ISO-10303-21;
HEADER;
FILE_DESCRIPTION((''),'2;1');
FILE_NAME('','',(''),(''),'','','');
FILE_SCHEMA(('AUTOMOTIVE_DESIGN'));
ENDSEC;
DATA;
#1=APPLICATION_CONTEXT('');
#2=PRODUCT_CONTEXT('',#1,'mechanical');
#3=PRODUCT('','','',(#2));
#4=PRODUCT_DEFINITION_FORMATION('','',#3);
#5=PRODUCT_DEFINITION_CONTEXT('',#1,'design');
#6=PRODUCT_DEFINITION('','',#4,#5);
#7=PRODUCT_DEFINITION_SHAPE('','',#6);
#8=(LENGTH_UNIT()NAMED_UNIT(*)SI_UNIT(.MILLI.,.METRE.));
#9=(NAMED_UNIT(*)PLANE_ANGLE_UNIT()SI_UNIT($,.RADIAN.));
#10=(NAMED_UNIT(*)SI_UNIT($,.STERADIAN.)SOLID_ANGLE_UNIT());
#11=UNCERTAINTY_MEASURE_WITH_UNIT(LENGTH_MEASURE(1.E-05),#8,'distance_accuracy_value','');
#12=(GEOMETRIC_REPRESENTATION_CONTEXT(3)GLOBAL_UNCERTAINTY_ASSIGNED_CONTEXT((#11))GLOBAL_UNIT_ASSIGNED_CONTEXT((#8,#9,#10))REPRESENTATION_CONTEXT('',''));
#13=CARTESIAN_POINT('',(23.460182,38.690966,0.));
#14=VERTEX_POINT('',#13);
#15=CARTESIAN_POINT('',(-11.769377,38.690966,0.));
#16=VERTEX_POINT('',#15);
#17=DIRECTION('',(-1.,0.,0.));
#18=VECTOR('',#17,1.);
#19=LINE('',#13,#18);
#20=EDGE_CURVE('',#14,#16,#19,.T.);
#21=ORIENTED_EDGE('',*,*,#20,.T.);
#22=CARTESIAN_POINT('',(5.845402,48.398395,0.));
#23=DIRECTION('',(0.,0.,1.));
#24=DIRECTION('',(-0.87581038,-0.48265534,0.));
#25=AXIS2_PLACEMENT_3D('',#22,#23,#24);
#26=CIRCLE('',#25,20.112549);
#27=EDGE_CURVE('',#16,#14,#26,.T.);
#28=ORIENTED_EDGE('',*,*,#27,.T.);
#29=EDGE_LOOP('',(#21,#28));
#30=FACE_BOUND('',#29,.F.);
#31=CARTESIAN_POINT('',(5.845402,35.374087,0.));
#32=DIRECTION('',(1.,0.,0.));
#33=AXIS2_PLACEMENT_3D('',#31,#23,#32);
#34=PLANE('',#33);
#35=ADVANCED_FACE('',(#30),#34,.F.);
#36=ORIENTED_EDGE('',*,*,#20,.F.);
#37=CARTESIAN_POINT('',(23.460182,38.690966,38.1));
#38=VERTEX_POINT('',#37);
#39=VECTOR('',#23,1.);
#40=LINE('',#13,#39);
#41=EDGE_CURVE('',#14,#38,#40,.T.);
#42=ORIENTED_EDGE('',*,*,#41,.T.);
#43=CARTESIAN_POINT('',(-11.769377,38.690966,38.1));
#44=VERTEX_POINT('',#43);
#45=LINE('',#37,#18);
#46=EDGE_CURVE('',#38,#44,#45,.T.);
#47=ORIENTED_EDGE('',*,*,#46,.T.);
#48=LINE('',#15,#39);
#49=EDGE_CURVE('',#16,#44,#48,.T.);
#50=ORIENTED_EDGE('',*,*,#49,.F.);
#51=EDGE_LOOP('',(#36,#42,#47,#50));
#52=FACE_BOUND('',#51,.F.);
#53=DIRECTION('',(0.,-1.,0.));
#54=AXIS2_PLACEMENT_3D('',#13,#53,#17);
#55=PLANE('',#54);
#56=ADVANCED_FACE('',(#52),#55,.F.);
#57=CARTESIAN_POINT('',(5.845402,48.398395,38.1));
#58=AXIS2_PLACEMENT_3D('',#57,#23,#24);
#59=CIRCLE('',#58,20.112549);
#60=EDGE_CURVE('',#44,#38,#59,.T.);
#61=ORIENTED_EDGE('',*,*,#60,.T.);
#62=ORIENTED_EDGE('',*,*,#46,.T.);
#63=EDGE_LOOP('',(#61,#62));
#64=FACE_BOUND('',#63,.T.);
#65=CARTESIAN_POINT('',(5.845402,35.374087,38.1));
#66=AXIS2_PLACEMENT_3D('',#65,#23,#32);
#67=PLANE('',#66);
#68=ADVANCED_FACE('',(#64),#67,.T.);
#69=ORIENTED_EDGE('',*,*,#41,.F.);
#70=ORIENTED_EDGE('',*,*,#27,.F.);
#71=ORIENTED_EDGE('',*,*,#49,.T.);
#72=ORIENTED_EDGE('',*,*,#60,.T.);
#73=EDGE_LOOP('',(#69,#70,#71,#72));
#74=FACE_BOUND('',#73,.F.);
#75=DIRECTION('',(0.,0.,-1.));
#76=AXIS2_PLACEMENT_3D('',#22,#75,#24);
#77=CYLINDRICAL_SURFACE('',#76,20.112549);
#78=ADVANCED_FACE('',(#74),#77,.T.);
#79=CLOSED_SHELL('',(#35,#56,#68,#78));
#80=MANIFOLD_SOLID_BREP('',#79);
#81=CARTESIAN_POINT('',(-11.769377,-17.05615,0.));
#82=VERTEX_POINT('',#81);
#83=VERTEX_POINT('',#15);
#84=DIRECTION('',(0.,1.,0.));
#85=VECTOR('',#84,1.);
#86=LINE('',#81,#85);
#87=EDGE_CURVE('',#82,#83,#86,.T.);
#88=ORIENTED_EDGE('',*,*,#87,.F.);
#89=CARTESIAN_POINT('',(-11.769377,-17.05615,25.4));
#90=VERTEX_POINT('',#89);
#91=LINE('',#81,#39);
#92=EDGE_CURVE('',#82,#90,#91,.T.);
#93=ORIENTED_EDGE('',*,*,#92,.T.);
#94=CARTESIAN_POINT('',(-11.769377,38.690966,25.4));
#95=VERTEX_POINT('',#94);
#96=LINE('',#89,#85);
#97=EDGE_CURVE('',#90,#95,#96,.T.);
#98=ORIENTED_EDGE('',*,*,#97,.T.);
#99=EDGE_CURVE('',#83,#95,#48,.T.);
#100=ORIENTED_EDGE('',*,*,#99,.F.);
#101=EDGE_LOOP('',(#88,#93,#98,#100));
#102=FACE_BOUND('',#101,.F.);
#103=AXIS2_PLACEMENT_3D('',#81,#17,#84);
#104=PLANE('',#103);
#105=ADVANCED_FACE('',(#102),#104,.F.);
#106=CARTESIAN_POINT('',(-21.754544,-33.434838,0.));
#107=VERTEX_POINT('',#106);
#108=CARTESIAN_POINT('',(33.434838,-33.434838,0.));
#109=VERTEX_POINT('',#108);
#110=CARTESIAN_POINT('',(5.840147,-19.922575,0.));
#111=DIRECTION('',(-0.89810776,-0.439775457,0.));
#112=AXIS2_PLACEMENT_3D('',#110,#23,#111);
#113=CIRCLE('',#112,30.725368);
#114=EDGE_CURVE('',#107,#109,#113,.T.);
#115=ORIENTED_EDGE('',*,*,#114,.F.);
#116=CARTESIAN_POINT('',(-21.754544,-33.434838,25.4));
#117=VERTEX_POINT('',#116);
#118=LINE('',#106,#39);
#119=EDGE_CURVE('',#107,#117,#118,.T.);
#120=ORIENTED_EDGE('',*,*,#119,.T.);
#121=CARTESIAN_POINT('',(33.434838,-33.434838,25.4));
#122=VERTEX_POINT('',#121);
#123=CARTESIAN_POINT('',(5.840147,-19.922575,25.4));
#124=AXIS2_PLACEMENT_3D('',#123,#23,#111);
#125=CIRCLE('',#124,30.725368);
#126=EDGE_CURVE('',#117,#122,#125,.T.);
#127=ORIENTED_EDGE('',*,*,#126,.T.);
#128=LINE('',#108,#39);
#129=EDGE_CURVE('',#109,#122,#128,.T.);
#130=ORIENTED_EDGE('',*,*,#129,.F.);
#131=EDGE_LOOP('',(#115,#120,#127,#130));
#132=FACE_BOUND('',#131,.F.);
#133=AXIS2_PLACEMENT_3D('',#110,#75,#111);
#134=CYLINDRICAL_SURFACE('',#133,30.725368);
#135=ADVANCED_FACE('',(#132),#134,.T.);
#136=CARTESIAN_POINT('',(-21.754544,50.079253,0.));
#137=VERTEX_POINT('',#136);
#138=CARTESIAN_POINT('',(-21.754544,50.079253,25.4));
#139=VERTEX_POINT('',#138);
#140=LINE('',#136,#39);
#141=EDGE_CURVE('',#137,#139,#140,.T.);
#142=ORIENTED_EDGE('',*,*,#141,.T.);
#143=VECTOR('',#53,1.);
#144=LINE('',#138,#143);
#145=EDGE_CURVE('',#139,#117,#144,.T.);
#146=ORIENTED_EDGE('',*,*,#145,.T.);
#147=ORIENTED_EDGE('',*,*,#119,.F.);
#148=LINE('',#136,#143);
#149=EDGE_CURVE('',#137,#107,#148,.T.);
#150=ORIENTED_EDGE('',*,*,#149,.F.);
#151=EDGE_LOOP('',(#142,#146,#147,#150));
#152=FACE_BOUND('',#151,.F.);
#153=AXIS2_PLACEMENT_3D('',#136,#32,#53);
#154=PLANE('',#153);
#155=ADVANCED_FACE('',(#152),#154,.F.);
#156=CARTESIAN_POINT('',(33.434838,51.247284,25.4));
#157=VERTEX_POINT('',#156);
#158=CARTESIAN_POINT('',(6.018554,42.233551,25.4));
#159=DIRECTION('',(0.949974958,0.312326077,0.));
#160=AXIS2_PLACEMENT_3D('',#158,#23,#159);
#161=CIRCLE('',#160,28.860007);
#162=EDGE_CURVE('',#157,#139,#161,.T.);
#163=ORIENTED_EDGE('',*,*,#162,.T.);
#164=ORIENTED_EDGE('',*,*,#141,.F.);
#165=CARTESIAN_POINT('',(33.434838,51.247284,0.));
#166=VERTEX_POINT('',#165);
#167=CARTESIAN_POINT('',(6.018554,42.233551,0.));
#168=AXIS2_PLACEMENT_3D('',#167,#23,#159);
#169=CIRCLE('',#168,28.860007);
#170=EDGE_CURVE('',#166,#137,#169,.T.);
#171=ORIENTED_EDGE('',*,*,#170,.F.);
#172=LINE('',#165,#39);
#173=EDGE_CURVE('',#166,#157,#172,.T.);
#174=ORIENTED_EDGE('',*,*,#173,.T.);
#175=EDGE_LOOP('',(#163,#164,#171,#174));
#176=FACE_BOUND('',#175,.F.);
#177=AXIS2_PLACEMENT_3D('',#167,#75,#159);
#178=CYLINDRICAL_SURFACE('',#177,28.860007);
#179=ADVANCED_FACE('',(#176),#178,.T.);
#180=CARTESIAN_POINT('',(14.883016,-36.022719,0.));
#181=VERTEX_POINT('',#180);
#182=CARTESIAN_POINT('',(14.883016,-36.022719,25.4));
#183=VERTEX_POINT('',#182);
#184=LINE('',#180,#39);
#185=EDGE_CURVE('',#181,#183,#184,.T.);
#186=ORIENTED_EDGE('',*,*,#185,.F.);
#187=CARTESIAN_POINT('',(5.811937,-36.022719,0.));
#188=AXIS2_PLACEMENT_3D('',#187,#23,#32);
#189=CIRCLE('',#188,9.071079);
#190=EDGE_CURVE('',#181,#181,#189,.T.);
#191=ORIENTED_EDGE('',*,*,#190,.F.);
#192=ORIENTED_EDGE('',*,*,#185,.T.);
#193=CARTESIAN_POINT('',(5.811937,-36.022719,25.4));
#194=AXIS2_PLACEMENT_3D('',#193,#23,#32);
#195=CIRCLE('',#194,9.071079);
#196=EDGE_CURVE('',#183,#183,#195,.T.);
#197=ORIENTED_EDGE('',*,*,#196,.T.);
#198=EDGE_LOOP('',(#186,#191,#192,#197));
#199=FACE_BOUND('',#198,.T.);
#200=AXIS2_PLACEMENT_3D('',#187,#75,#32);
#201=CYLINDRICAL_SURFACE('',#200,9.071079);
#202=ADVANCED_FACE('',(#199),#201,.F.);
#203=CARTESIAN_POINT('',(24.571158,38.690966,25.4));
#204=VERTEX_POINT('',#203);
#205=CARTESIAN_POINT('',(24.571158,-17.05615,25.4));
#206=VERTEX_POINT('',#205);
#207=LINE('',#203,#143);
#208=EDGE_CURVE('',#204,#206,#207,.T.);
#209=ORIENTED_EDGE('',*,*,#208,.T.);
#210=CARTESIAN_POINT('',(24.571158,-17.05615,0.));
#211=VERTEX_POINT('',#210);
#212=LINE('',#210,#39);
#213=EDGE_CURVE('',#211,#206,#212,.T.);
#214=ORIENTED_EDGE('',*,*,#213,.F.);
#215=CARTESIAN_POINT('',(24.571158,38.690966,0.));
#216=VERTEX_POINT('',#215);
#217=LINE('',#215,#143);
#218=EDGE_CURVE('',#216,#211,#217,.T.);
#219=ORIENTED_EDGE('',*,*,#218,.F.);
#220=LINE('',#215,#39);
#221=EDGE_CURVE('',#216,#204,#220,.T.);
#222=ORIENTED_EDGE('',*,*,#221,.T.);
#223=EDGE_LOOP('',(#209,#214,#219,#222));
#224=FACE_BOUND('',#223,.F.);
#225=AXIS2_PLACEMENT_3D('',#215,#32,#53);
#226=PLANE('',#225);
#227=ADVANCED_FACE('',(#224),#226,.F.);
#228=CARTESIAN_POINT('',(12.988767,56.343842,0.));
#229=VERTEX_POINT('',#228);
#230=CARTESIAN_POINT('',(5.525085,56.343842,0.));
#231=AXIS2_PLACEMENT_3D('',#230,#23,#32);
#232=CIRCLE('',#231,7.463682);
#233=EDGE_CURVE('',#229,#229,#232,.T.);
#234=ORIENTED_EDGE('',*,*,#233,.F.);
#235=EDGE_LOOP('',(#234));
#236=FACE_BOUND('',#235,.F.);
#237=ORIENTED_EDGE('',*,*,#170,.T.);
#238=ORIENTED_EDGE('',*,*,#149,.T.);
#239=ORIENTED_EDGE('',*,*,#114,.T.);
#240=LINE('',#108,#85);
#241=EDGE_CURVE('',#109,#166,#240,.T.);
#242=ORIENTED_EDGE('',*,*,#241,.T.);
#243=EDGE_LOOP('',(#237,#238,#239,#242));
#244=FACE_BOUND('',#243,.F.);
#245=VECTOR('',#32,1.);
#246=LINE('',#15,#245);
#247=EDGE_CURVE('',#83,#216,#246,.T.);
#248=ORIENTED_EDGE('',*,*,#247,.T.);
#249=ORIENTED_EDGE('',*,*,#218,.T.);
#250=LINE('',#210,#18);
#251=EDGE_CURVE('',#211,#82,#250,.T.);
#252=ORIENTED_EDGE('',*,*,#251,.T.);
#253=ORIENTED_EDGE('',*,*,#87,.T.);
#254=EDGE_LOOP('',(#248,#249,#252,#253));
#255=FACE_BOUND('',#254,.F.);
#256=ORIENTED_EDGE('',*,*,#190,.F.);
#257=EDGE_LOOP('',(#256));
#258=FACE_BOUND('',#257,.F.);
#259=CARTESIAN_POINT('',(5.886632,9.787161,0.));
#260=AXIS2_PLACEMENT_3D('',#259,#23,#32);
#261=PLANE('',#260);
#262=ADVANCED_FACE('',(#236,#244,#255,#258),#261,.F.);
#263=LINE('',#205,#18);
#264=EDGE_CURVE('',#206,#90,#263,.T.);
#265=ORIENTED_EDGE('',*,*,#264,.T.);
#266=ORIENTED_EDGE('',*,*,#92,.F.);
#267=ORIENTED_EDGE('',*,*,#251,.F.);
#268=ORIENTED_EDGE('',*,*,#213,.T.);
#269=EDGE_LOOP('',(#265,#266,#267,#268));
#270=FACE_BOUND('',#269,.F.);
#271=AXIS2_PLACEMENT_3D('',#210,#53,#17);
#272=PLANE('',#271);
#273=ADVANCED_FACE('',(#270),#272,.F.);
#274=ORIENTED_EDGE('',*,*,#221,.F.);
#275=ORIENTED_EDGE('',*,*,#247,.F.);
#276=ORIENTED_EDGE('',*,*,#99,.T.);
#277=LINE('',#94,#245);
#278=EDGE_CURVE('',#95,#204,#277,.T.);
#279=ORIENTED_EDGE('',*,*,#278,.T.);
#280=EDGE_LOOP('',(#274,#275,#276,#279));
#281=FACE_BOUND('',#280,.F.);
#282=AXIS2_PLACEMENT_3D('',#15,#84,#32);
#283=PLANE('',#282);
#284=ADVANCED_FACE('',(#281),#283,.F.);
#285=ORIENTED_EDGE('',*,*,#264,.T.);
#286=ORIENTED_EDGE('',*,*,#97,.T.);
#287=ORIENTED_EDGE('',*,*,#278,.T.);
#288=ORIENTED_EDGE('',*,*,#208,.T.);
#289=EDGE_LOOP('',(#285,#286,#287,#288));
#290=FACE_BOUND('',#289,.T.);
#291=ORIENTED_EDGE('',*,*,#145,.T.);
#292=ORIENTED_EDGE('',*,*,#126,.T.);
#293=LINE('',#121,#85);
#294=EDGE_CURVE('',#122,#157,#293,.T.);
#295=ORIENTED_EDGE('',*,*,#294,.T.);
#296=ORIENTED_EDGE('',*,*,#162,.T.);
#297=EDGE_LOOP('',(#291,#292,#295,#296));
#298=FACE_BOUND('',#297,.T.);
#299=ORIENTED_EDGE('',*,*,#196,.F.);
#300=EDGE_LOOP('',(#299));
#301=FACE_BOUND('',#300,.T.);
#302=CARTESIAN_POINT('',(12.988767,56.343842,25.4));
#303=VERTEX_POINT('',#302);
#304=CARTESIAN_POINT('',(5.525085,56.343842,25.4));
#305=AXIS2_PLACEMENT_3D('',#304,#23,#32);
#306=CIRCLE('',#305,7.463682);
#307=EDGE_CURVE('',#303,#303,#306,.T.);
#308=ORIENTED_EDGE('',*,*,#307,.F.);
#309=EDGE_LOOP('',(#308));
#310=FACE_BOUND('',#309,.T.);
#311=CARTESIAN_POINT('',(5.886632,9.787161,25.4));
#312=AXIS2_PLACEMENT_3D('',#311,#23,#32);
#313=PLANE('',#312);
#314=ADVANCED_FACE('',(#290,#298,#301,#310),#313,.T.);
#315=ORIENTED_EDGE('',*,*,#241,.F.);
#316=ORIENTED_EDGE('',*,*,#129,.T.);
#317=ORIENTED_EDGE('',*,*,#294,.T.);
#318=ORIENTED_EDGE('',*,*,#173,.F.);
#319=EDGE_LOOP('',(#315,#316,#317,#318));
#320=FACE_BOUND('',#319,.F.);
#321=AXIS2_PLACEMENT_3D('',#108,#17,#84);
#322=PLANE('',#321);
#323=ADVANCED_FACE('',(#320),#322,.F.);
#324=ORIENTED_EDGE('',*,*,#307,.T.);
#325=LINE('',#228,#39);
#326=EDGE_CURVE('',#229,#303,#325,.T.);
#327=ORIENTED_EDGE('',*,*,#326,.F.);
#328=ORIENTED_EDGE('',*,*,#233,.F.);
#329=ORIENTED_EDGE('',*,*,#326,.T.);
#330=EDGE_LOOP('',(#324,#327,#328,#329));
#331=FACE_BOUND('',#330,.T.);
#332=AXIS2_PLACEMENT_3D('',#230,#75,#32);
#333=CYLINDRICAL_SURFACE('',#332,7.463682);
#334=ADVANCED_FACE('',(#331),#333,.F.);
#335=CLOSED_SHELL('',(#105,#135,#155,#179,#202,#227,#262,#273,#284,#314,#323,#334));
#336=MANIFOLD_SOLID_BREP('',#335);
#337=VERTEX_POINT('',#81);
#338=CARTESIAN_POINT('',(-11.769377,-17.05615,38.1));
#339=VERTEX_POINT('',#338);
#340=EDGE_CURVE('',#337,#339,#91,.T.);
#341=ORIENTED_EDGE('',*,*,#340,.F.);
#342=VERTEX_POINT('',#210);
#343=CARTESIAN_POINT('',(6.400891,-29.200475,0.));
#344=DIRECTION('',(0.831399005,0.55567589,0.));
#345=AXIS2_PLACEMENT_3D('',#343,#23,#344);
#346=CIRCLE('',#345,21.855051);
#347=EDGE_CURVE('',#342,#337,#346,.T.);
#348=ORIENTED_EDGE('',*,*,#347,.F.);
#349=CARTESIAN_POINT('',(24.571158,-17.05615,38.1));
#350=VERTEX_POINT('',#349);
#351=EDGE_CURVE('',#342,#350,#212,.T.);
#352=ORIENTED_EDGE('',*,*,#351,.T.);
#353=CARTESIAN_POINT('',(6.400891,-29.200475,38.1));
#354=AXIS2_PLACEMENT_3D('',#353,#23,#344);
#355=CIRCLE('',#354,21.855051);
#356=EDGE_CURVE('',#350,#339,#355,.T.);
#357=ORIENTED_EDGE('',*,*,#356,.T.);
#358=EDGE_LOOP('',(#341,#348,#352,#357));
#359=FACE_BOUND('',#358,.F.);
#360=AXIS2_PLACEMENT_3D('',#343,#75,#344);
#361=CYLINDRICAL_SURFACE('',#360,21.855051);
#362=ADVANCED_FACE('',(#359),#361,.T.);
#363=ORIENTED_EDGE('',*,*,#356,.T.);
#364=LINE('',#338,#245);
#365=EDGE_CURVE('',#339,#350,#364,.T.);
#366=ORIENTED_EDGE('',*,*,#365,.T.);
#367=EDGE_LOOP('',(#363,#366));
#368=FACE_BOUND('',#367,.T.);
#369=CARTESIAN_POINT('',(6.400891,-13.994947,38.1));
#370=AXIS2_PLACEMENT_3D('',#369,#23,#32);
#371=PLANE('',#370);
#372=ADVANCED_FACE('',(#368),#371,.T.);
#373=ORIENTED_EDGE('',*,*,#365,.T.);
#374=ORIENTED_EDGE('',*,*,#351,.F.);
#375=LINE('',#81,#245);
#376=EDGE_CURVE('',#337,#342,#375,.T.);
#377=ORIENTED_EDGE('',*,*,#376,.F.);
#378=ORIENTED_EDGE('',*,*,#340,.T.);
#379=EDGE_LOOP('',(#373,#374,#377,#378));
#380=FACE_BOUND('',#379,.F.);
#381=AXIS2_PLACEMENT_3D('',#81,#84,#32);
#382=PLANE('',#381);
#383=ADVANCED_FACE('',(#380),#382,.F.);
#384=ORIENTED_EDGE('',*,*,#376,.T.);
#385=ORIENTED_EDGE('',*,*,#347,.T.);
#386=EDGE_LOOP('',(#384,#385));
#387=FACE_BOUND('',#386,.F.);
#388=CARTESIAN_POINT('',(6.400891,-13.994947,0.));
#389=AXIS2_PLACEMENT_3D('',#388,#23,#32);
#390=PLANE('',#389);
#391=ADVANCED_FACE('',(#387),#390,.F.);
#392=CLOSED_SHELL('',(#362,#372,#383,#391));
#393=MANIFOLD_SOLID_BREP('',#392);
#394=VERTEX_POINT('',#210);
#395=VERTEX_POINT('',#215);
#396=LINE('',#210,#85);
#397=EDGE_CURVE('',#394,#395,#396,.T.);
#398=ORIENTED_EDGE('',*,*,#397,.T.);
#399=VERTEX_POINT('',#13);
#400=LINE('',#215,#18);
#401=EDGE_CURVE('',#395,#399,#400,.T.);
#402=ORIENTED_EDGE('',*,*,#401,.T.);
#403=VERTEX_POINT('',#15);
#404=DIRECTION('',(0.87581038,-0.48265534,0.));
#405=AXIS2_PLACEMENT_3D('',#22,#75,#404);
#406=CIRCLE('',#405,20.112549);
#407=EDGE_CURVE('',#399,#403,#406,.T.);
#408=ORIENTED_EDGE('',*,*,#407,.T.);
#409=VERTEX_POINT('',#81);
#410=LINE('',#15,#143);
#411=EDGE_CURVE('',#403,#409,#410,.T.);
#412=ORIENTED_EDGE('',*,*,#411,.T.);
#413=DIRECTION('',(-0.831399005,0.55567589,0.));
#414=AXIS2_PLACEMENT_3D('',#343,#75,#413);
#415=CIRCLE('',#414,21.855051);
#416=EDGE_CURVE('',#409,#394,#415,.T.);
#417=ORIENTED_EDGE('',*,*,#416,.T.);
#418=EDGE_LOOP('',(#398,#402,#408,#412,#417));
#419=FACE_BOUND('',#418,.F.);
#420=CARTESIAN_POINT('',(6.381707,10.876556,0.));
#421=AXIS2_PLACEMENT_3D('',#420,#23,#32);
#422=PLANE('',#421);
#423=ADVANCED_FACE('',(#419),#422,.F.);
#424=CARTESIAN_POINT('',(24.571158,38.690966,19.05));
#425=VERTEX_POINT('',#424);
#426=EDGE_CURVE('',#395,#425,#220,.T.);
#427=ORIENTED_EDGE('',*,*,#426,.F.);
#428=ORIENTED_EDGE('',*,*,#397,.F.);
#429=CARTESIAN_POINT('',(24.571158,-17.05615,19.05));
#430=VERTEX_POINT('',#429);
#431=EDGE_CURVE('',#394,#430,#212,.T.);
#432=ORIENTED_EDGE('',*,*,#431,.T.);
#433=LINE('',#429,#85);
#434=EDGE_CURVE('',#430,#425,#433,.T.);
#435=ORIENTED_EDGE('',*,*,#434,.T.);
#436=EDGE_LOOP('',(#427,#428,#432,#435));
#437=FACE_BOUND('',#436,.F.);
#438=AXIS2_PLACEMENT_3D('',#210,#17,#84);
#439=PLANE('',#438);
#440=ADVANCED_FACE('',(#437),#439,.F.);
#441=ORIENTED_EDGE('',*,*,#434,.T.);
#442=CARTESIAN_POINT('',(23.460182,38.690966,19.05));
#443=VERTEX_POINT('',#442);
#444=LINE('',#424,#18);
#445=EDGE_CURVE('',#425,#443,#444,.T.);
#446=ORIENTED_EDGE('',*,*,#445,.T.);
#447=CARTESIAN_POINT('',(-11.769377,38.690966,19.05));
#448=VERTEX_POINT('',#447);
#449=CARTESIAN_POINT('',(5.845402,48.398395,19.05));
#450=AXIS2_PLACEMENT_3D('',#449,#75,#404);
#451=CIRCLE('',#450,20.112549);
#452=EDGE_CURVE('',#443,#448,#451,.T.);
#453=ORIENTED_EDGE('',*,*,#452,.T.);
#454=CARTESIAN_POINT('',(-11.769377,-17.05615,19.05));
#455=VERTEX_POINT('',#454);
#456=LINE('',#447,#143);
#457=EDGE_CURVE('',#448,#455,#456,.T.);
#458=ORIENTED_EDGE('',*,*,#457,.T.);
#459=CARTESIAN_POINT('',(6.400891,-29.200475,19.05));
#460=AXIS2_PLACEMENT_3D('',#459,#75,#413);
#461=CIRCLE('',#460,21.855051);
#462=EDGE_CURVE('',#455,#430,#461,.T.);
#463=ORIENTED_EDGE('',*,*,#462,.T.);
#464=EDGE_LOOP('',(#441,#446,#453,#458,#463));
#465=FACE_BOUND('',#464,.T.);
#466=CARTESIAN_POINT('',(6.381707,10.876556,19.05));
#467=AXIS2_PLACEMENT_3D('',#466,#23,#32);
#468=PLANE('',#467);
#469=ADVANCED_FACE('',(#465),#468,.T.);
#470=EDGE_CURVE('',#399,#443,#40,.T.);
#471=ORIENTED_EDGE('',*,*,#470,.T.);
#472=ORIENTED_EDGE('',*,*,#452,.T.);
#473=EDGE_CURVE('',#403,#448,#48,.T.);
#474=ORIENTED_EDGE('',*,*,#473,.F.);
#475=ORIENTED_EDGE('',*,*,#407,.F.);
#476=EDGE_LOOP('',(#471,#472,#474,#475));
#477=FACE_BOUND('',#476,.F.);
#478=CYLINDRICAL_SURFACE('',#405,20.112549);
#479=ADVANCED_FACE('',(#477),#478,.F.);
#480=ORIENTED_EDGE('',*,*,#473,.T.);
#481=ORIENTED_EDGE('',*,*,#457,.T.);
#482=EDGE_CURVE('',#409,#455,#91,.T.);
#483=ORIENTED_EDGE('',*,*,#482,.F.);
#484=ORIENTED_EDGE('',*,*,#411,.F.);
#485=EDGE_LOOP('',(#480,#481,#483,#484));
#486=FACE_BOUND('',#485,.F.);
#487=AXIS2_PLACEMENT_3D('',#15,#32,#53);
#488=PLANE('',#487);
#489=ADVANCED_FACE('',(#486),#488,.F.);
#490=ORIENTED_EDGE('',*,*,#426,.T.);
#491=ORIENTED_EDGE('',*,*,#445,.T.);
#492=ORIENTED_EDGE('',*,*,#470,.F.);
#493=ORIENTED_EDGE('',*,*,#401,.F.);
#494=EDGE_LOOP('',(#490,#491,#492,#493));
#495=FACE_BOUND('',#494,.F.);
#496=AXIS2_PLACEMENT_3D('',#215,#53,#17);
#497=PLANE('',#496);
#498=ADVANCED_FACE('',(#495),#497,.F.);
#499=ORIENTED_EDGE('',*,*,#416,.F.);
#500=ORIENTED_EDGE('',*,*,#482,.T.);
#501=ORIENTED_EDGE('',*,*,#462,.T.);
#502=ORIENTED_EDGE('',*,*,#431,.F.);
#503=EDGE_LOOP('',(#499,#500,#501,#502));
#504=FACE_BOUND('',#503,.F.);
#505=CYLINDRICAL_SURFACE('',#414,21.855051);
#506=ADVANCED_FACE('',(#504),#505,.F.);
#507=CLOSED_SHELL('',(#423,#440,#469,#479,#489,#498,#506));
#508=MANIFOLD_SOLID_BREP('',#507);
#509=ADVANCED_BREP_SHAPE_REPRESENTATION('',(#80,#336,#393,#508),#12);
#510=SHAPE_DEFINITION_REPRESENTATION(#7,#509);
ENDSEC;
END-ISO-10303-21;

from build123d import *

# Parameters (mm, degrees)
F1_DEPTH = 38.1
F0_R     = 9.071079
F0_R_2   = 7.463682
F2_DEPTH = 25.4
F3_DEPTH = 19.05


with BuildPart() as f1:
    # F0 (on Top) → F1 (new body)
    with BuildSketch(Plane.XY):
        with BuildLine():
            Line((23.460182, 38.690966), (-11.769377, 38.690966))
            ThreePointArc((-11.769377, 38.690966), (5.845403, 28.285846), (23.460182, 38.690966))
        make_face()
        with BuildLine():
            ThreePointArc((24.571158, -17.05615), (6.400891, -7.345424), (-11.769377, -17.05615))
            Line((-11.769377, -17.05615), (24.571158, -17.05615))
        make_face()
    extrude(amount=F1_DEPTH)


with BuildPart() as f2:
    # F0 (on Top) → F2 (new body)
    with BuildSketch(Plane.XY):
        with BuildLine():
            Line((33.434838, -33.434838), (33.434838, 51.247284))
            ThreePointArc((33.434838, 51.247284), (5.407896, 71.087097), (-21.754544, 50.079253))
            Line((-21.754544, 50.079253), (-21.754544, -33.434838))
            ThreePointArc((-21.754544, -33.434838), (5.840147, -50.647943), (33.434838, -33.434838))
        make_face()
        with Locations((5.811937, -36.022719)):
            Circle(F0_R, mode=Mode.SUBTRACT)
        with Locations((5.525085, 56.343842)):
            Circle(F0_R_2, mode=Mode.SUBTRACT)
        Polygon((-11.769377, -17.05615), (-11.769377, 38.690966), (23.460182, 38.690966), (24.571158, 38.690966), (24.571158, -17.05615), align=None, mode=Mode.SUBTRACT)
    extrude(amount=F2_DEPTH)


with BuildPart() as f3:
    # F0 (on Top) → F3 (new body)
    with BuildSketch(Plane.XY):
        with BuildLine():
            ThreePointArc((23.460182, 38.690966), (5.845403, 28.285846), (-11.769377, 38.690966))
            Line((-11.769377, 38.690966), (-11.769377, -17.05615))
            ThreePointArc((-11.769377, -17.05615), (6.400891, -7.345424), (24.571158, -17.05615))
            Line((24.571158, -17.05615), (24.571158, 38.690966))
            Line((24.571158, 38.690966), (23.460182, 38.690966))
        make_face()
    extrude(amount=F3_DEPTH)


solid = Compound([f1.part, f2.part, f3.part])
